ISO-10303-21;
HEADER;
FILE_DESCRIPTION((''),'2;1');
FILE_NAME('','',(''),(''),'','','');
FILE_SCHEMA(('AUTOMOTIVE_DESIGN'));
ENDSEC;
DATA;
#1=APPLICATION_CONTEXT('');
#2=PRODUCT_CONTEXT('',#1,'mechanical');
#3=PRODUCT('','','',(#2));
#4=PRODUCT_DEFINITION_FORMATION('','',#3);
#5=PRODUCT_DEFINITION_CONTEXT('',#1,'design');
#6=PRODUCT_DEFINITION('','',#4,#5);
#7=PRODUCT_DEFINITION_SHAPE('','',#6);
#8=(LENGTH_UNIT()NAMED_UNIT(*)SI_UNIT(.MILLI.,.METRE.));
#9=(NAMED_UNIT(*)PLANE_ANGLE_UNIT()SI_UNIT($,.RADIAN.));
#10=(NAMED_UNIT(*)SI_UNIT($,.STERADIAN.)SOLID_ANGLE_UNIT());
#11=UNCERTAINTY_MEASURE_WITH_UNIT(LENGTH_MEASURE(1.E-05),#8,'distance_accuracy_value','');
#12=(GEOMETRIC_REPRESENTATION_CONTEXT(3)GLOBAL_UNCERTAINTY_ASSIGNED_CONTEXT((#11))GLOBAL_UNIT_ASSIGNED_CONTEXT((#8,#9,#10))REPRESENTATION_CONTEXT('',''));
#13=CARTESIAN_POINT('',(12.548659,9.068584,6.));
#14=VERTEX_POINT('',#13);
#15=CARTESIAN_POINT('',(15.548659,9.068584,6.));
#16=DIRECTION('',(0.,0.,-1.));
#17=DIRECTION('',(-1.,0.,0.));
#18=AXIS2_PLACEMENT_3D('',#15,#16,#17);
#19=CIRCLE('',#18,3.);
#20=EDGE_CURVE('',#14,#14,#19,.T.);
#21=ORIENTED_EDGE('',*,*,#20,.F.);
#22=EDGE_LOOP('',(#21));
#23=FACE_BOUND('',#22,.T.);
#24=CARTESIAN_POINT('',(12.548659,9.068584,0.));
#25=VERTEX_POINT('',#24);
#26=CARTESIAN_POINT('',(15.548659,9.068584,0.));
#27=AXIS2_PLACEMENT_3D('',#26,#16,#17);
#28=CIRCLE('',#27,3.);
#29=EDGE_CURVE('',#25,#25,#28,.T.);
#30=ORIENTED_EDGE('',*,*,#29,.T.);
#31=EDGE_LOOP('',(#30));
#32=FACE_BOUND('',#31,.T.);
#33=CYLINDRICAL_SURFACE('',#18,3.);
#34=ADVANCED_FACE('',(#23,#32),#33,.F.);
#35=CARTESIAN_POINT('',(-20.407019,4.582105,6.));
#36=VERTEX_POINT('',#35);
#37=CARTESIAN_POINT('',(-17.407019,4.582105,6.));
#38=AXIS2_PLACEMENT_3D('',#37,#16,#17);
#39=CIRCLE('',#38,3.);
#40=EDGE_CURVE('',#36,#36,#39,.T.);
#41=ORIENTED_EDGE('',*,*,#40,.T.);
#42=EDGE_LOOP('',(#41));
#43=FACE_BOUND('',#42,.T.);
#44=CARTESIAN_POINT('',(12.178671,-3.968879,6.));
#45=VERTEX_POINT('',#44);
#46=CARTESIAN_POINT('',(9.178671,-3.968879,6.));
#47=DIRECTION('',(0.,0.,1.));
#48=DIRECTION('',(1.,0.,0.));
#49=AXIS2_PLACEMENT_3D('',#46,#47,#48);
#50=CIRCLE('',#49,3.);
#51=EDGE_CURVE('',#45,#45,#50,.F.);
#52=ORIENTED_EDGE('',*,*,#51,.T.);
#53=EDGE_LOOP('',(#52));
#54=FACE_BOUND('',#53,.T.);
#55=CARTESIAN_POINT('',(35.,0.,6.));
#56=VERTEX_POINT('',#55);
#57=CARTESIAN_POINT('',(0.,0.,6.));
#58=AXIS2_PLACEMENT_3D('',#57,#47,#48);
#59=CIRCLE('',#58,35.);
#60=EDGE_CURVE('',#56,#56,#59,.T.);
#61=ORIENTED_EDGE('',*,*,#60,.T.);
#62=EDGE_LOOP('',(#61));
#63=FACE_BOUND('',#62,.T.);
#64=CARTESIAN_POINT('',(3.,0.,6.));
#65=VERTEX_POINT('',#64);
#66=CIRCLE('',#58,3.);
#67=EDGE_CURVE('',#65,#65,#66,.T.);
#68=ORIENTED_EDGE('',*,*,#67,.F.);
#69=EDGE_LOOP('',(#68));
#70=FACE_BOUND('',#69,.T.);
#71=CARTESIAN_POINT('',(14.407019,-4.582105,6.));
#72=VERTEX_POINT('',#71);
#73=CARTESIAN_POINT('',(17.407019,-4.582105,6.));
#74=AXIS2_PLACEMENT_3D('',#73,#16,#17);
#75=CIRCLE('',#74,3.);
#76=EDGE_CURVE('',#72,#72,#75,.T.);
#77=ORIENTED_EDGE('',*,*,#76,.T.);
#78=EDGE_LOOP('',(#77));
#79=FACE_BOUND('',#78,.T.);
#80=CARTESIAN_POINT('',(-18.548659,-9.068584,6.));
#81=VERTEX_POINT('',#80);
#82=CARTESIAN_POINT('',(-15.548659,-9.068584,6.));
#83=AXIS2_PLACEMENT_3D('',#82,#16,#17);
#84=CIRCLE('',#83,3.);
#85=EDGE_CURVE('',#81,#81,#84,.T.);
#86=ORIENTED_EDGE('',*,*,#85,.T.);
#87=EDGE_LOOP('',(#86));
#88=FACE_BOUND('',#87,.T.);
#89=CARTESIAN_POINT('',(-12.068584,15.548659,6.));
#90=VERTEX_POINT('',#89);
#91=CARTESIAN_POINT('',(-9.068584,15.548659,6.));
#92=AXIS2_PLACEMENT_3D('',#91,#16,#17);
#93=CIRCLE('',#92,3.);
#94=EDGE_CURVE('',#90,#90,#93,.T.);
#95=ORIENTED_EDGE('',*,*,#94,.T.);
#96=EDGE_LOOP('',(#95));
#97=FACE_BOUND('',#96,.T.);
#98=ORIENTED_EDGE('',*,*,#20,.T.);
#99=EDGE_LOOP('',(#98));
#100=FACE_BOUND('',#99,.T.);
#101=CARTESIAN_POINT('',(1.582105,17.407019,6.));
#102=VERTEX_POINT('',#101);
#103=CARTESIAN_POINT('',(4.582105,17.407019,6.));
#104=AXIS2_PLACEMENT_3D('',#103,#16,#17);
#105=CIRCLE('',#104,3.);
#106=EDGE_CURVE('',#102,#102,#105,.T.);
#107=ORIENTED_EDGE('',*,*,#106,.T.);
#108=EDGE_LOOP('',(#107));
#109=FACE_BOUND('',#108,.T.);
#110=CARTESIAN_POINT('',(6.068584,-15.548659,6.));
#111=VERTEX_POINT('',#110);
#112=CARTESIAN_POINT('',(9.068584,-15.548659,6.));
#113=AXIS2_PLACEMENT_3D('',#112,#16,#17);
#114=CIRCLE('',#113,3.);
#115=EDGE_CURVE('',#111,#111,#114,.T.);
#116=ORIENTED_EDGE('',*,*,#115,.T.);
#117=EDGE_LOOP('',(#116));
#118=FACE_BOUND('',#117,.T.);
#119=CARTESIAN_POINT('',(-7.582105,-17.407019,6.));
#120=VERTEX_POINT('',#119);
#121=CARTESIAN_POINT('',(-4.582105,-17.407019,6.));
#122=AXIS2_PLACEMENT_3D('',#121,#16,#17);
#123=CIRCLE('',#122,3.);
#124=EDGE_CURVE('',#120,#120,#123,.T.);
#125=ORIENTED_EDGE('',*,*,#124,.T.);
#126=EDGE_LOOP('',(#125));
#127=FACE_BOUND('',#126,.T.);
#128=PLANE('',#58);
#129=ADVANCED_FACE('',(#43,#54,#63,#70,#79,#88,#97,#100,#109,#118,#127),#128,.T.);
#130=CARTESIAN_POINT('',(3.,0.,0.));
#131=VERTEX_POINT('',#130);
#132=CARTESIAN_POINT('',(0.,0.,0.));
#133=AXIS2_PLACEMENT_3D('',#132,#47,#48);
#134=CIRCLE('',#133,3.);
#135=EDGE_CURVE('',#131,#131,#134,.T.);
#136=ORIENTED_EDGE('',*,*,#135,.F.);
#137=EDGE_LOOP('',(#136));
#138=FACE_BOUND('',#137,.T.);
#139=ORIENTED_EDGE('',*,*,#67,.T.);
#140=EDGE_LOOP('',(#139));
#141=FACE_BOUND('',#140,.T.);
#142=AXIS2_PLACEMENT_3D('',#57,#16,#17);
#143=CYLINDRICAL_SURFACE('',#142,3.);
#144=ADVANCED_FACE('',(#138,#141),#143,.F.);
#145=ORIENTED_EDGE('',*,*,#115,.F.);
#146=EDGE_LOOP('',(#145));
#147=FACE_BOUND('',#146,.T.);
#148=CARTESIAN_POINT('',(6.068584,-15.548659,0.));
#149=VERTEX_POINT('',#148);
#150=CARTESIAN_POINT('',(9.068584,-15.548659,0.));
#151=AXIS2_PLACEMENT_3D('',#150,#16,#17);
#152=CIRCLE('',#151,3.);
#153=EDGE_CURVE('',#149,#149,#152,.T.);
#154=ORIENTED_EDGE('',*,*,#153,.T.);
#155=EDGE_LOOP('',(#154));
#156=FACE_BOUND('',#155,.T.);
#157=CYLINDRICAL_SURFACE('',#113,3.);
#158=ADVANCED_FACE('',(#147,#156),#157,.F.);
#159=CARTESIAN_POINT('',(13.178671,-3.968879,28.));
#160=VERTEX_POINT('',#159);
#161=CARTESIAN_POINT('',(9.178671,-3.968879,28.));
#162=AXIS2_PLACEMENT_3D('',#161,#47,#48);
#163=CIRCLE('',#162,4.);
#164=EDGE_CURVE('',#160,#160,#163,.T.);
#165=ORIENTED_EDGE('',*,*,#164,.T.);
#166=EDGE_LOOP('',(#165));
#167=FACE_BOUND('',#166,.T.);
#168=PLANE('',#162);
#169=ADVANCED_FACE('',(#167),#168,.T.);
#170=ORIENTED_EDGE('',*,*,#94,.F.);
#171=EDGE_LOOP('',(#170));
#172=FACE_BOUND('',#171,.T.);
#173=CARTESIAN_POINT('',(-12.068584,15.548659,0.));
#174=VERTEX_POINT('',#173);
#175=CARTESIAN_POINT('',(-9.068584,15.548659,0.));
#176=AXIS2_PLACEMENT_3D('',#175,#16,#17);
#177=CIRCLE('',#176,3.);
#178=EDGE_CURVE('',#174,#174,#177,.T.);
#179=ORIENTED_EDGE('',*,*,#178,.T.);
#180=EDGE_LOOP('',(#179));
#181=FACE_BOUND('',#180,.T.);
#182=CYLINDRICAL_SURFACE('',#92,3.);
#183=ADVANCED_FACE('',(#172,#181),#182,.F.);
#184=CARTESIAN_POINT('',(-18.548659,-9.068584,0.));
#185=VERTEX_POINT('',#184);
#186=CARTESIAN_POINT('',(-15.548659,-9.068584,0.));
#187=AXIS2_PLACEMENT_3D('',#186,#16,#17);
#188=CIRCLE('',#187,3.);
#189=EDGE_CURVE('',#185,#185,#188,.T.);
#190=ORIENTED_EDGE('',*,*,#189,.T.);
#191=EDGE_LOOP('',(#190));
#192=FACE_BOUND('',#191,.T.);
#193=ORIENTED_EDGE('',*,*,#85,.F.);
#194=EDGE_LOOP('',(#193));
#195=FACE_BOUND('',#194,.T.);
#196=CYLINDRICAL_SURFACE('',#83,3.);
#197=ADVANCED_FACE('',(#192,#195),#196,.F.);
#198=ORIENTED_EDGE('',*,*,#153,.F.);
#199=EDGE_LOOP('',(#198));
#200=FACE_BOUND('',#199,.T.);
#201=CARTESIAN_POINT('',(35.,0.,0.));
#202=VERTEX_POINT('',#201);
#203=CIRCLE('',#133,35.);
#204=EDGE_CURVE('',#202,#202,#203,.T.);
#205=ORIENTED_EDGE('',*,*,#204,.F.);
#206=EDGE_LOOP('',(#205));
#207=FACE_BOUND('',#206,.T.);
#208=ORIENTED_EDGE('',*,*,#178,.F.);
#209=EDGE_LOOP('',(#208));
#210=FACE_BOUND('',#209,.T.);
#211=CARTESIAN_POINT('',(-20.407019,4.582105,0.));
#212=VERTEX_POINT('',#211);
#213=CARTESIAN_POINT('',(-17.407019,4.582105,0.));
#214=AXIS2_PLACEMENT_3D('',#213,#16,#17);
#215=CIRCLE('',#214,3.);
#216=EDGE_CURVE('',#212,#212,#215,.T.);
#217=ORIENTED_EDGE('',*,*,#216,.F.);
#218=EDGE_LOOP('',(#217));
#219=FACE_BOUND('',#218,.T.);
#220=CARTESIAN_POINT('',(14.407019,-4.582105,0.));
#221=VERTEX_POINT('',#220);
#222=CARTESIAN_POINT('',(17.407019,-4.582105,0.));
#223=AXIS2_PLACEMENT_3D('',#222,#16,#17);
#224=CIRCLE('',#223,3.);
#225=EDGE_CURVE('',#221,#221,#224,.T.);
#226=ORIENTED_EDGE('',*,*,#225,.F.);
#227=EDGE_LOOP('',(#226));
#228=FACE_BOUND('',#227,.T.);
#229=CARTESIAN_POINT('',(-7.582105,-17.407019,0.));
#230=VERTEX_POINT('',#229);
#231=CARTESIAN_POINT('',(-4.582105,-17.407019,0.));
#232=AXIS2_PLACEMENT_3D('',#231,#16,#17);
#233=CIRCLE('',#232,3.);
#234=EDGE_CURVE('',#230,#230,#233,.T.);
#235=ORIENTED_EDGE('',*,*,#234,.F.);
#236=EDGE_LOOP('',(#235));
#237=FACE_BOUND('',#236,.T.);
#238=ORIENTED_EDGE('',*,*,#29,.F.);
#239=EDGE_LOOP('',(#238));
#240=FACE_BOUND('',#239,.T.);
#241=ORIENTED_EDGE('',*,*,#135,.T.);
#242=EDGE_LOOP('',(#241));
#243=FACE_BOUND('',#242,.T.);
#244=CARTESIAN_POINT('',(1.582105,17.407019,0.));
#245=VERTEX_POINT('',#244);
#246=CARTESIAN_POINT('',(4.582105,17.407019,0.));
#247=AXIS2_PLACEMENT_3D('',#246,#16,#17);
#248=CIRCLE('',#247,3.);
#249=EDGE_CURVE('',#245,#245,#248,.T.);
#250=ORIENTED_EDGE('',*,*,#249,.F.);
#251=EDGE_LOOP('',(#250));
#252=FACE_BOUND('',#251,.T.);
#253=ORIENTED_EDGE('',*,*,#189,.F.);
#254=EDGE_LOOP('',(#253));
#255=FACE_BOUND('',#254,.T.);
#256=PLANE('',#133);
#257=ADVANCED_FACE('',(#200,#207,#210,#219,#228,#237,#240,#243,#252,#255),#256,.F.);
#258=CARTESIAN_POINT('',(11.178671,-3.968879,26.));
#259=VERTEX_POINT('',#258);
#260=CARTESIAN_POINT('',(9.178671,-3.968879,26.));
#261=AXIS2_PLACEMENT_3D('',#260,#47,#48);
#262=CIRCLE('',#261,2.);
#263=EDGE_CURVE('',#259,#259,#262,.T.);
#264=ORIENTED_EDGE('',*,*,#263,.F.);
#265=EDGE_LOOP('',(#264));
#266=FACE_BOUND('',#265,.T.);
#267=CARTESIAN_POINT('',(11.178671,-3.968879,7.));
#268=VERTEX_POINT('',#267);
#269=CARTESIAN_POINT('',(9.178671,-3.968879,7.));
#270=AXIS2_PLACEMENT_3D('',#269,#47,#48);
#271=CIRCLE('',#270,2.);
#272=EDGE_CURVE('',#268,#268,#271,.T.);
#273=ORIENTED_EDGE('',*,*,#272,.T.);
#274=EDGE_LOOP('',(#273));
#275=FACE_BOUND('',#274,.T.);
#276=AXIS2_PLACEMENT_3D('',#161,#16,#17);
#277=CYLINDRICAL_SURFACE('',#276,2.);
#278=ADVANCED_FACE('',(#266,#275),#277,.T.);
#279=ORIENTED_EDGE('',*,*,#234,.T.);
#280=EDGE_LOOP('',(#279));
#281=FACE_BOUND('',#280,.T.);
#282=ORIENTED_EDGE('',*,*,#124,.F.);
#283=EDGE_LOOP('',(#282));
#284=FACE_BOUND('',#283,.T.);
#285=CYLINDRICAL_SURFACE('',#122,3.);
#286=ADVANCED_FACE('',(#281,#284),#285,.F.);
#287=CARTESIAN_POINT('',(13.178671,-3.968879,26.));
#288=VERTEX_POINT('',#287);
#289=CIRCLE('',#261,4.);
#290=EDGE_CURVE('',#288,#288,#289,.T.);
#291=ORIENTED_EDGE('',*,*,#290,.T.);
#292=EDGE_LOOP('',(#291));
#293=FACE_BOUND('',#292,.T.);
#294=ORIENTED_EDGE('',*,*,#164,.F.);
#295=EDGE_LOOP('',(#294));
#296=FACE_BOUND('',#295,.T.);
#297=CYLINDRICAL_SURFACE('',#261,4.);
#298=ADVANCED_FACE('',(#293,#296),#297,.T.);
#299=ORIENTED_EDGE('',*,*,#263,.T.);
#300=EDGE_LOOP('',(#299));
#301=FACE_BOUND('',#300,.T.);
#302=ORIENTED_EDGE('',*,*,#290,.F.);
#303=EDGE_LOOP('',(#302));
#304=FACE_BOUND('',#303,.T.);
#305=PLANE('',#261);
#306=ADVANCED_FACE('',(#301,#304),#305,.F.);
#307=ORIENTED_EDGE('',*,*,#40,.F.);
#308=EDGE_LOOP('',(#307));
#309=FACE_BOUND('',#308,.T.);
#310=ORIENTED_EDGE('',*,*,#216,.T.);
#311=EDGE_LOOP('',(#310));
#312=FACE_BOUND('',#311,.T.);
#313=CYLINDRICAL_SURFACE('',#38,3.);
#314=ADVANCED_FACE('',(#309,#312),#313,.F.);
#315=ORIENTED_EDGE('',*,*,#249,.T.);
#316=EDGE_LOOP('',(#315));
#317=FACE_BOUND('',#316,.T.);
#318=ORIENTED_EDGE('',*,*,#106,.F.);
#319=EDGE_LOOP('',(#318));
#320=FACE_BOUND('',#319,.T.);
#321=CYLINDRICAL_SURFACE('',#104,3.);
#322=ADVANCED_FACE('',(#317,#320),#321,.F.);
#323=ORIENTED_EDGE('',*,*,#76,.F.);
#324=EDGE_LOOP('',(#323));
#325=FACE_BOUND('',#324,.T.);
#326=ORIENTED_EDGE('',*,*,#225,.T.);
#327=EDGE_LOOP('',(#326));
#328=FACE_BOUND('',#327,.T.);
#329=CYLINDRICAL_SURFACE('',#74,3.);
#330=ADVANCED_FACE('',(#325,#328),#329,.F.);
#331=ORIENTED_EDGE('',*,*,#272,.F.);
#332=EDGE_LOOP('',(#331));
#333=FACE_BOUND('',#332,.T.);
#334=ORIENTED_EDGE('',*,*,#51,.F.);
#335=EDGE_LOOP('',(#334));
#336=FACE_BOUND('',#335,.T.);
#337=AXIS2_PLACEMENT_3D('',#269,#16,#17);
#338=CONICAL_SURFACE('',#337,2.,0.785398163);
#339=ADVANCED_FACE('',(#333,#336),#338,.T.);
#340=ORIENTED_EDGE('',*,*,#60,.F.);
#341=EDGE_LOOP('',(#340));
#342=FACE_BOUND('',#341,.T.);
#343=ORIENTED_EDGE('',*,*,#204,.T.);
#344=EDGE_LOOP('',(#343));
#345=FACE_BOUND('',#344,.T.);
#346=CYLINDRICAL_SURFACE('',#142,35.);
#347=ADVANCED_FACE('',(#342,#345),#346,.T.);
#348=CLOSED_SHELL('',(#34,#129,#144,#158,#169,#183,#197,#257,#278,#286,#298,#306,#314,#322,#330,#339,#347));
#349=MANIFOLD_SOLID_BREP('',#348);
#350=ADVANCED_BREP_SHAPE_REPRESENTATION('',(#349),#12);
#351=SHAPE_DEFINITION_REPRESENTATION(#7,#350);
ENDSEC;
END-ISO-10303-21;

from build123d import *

# Parameters (mm, degrees)
SKETCH_1_R          = 35
SKETCH_1_R_2        = 3
EXTRUDE_1_DEPTH     = 6
SKETCH_3_R          = 3
CUT_EXTRUDE_2_DEPTH = 50.859803449
SKETCH_4_R          = 2
EXTRUDE_2_DEPTH     = 22
SKETCH_7_R          = 4
EXTRUDE_3_DEPTH     = 2
CHAMFER_1_SIZE      = 1


with BuildPart() as part:
    # 草图1 → 凸台-拉伸1 (new body)
    with BuildSketch(Plane.XY):
        Circle(SKETCH_1_R)
        Circle(SKETCH_1_R_2, mode=Mode.SUBTRACT)
    extrude(amount=EXTRUDE_1_DEPTH)

    # 草图3 → 切除-拉伸2 (cut, through all)
    with BuildSketch(Plane(origin=(0, 0, 0), x_dir=(-1, 0, 0), z_dir=(0, 0, -1))):
        with Locations((-4.582105158, 17.407019053)):
            Circle(SKETCH_3_R)
        with Locations((9.068583583, 15.548658842)):
            Circle(SKETCH_3_R)
        with Locations((17.407019053, 4.582105158)):
            Circle(SKETCH_3_R)
        with Locations((15.548658842, -9.068583583)):
            Circle(SKETCH_3_R)
        with Locations((4.582105158, -17.407019053)):
            Circle(SKETCH_3_R)
        with Locations((-9.068583583, -15.548658842)):
            Circle(SKETCH_3_R)
        with Locations((-17.407019053, -4.582105158)):
            Circle(SKETCH_3_R)
        with Locations((-15.548658842, 9.068583583)):
            Circle(SKETCH_3_R)
    extrude(amount=-CUT_EXTRUDE_2_DEPTH, mode=Mode.SUBTRACT)

    # 草图4 → 凸台-拉伸2 (add)
    with BuildSketch(Plane.XY.offset(6)):
        with Locations((9.178670771, -3.968879298)):
            Circle(SKETCH_4_R)
    extrude(amount=EXTRUDE_2_DEPTH)

    # 草图7 → 凸台-拉伸3 (add)
    with BuildSketch(Plane.XY.offset(28)):
        with Locations((9.178670771, -3.968879298)):
            Circle(SKETCH_7_R)
    extrude(amount=-EXTRUDE_3_DEPTH)

    # 倒角1
    chamfer_1_edges = [part.edges().sort_by_distance(p)[0] for p in [
        (7.178670771, -3.968879298, 6),
    ]]
    chamfer(chamfer_1_edges, length=CHAMFER_1_SIZE)


solid = part.part
